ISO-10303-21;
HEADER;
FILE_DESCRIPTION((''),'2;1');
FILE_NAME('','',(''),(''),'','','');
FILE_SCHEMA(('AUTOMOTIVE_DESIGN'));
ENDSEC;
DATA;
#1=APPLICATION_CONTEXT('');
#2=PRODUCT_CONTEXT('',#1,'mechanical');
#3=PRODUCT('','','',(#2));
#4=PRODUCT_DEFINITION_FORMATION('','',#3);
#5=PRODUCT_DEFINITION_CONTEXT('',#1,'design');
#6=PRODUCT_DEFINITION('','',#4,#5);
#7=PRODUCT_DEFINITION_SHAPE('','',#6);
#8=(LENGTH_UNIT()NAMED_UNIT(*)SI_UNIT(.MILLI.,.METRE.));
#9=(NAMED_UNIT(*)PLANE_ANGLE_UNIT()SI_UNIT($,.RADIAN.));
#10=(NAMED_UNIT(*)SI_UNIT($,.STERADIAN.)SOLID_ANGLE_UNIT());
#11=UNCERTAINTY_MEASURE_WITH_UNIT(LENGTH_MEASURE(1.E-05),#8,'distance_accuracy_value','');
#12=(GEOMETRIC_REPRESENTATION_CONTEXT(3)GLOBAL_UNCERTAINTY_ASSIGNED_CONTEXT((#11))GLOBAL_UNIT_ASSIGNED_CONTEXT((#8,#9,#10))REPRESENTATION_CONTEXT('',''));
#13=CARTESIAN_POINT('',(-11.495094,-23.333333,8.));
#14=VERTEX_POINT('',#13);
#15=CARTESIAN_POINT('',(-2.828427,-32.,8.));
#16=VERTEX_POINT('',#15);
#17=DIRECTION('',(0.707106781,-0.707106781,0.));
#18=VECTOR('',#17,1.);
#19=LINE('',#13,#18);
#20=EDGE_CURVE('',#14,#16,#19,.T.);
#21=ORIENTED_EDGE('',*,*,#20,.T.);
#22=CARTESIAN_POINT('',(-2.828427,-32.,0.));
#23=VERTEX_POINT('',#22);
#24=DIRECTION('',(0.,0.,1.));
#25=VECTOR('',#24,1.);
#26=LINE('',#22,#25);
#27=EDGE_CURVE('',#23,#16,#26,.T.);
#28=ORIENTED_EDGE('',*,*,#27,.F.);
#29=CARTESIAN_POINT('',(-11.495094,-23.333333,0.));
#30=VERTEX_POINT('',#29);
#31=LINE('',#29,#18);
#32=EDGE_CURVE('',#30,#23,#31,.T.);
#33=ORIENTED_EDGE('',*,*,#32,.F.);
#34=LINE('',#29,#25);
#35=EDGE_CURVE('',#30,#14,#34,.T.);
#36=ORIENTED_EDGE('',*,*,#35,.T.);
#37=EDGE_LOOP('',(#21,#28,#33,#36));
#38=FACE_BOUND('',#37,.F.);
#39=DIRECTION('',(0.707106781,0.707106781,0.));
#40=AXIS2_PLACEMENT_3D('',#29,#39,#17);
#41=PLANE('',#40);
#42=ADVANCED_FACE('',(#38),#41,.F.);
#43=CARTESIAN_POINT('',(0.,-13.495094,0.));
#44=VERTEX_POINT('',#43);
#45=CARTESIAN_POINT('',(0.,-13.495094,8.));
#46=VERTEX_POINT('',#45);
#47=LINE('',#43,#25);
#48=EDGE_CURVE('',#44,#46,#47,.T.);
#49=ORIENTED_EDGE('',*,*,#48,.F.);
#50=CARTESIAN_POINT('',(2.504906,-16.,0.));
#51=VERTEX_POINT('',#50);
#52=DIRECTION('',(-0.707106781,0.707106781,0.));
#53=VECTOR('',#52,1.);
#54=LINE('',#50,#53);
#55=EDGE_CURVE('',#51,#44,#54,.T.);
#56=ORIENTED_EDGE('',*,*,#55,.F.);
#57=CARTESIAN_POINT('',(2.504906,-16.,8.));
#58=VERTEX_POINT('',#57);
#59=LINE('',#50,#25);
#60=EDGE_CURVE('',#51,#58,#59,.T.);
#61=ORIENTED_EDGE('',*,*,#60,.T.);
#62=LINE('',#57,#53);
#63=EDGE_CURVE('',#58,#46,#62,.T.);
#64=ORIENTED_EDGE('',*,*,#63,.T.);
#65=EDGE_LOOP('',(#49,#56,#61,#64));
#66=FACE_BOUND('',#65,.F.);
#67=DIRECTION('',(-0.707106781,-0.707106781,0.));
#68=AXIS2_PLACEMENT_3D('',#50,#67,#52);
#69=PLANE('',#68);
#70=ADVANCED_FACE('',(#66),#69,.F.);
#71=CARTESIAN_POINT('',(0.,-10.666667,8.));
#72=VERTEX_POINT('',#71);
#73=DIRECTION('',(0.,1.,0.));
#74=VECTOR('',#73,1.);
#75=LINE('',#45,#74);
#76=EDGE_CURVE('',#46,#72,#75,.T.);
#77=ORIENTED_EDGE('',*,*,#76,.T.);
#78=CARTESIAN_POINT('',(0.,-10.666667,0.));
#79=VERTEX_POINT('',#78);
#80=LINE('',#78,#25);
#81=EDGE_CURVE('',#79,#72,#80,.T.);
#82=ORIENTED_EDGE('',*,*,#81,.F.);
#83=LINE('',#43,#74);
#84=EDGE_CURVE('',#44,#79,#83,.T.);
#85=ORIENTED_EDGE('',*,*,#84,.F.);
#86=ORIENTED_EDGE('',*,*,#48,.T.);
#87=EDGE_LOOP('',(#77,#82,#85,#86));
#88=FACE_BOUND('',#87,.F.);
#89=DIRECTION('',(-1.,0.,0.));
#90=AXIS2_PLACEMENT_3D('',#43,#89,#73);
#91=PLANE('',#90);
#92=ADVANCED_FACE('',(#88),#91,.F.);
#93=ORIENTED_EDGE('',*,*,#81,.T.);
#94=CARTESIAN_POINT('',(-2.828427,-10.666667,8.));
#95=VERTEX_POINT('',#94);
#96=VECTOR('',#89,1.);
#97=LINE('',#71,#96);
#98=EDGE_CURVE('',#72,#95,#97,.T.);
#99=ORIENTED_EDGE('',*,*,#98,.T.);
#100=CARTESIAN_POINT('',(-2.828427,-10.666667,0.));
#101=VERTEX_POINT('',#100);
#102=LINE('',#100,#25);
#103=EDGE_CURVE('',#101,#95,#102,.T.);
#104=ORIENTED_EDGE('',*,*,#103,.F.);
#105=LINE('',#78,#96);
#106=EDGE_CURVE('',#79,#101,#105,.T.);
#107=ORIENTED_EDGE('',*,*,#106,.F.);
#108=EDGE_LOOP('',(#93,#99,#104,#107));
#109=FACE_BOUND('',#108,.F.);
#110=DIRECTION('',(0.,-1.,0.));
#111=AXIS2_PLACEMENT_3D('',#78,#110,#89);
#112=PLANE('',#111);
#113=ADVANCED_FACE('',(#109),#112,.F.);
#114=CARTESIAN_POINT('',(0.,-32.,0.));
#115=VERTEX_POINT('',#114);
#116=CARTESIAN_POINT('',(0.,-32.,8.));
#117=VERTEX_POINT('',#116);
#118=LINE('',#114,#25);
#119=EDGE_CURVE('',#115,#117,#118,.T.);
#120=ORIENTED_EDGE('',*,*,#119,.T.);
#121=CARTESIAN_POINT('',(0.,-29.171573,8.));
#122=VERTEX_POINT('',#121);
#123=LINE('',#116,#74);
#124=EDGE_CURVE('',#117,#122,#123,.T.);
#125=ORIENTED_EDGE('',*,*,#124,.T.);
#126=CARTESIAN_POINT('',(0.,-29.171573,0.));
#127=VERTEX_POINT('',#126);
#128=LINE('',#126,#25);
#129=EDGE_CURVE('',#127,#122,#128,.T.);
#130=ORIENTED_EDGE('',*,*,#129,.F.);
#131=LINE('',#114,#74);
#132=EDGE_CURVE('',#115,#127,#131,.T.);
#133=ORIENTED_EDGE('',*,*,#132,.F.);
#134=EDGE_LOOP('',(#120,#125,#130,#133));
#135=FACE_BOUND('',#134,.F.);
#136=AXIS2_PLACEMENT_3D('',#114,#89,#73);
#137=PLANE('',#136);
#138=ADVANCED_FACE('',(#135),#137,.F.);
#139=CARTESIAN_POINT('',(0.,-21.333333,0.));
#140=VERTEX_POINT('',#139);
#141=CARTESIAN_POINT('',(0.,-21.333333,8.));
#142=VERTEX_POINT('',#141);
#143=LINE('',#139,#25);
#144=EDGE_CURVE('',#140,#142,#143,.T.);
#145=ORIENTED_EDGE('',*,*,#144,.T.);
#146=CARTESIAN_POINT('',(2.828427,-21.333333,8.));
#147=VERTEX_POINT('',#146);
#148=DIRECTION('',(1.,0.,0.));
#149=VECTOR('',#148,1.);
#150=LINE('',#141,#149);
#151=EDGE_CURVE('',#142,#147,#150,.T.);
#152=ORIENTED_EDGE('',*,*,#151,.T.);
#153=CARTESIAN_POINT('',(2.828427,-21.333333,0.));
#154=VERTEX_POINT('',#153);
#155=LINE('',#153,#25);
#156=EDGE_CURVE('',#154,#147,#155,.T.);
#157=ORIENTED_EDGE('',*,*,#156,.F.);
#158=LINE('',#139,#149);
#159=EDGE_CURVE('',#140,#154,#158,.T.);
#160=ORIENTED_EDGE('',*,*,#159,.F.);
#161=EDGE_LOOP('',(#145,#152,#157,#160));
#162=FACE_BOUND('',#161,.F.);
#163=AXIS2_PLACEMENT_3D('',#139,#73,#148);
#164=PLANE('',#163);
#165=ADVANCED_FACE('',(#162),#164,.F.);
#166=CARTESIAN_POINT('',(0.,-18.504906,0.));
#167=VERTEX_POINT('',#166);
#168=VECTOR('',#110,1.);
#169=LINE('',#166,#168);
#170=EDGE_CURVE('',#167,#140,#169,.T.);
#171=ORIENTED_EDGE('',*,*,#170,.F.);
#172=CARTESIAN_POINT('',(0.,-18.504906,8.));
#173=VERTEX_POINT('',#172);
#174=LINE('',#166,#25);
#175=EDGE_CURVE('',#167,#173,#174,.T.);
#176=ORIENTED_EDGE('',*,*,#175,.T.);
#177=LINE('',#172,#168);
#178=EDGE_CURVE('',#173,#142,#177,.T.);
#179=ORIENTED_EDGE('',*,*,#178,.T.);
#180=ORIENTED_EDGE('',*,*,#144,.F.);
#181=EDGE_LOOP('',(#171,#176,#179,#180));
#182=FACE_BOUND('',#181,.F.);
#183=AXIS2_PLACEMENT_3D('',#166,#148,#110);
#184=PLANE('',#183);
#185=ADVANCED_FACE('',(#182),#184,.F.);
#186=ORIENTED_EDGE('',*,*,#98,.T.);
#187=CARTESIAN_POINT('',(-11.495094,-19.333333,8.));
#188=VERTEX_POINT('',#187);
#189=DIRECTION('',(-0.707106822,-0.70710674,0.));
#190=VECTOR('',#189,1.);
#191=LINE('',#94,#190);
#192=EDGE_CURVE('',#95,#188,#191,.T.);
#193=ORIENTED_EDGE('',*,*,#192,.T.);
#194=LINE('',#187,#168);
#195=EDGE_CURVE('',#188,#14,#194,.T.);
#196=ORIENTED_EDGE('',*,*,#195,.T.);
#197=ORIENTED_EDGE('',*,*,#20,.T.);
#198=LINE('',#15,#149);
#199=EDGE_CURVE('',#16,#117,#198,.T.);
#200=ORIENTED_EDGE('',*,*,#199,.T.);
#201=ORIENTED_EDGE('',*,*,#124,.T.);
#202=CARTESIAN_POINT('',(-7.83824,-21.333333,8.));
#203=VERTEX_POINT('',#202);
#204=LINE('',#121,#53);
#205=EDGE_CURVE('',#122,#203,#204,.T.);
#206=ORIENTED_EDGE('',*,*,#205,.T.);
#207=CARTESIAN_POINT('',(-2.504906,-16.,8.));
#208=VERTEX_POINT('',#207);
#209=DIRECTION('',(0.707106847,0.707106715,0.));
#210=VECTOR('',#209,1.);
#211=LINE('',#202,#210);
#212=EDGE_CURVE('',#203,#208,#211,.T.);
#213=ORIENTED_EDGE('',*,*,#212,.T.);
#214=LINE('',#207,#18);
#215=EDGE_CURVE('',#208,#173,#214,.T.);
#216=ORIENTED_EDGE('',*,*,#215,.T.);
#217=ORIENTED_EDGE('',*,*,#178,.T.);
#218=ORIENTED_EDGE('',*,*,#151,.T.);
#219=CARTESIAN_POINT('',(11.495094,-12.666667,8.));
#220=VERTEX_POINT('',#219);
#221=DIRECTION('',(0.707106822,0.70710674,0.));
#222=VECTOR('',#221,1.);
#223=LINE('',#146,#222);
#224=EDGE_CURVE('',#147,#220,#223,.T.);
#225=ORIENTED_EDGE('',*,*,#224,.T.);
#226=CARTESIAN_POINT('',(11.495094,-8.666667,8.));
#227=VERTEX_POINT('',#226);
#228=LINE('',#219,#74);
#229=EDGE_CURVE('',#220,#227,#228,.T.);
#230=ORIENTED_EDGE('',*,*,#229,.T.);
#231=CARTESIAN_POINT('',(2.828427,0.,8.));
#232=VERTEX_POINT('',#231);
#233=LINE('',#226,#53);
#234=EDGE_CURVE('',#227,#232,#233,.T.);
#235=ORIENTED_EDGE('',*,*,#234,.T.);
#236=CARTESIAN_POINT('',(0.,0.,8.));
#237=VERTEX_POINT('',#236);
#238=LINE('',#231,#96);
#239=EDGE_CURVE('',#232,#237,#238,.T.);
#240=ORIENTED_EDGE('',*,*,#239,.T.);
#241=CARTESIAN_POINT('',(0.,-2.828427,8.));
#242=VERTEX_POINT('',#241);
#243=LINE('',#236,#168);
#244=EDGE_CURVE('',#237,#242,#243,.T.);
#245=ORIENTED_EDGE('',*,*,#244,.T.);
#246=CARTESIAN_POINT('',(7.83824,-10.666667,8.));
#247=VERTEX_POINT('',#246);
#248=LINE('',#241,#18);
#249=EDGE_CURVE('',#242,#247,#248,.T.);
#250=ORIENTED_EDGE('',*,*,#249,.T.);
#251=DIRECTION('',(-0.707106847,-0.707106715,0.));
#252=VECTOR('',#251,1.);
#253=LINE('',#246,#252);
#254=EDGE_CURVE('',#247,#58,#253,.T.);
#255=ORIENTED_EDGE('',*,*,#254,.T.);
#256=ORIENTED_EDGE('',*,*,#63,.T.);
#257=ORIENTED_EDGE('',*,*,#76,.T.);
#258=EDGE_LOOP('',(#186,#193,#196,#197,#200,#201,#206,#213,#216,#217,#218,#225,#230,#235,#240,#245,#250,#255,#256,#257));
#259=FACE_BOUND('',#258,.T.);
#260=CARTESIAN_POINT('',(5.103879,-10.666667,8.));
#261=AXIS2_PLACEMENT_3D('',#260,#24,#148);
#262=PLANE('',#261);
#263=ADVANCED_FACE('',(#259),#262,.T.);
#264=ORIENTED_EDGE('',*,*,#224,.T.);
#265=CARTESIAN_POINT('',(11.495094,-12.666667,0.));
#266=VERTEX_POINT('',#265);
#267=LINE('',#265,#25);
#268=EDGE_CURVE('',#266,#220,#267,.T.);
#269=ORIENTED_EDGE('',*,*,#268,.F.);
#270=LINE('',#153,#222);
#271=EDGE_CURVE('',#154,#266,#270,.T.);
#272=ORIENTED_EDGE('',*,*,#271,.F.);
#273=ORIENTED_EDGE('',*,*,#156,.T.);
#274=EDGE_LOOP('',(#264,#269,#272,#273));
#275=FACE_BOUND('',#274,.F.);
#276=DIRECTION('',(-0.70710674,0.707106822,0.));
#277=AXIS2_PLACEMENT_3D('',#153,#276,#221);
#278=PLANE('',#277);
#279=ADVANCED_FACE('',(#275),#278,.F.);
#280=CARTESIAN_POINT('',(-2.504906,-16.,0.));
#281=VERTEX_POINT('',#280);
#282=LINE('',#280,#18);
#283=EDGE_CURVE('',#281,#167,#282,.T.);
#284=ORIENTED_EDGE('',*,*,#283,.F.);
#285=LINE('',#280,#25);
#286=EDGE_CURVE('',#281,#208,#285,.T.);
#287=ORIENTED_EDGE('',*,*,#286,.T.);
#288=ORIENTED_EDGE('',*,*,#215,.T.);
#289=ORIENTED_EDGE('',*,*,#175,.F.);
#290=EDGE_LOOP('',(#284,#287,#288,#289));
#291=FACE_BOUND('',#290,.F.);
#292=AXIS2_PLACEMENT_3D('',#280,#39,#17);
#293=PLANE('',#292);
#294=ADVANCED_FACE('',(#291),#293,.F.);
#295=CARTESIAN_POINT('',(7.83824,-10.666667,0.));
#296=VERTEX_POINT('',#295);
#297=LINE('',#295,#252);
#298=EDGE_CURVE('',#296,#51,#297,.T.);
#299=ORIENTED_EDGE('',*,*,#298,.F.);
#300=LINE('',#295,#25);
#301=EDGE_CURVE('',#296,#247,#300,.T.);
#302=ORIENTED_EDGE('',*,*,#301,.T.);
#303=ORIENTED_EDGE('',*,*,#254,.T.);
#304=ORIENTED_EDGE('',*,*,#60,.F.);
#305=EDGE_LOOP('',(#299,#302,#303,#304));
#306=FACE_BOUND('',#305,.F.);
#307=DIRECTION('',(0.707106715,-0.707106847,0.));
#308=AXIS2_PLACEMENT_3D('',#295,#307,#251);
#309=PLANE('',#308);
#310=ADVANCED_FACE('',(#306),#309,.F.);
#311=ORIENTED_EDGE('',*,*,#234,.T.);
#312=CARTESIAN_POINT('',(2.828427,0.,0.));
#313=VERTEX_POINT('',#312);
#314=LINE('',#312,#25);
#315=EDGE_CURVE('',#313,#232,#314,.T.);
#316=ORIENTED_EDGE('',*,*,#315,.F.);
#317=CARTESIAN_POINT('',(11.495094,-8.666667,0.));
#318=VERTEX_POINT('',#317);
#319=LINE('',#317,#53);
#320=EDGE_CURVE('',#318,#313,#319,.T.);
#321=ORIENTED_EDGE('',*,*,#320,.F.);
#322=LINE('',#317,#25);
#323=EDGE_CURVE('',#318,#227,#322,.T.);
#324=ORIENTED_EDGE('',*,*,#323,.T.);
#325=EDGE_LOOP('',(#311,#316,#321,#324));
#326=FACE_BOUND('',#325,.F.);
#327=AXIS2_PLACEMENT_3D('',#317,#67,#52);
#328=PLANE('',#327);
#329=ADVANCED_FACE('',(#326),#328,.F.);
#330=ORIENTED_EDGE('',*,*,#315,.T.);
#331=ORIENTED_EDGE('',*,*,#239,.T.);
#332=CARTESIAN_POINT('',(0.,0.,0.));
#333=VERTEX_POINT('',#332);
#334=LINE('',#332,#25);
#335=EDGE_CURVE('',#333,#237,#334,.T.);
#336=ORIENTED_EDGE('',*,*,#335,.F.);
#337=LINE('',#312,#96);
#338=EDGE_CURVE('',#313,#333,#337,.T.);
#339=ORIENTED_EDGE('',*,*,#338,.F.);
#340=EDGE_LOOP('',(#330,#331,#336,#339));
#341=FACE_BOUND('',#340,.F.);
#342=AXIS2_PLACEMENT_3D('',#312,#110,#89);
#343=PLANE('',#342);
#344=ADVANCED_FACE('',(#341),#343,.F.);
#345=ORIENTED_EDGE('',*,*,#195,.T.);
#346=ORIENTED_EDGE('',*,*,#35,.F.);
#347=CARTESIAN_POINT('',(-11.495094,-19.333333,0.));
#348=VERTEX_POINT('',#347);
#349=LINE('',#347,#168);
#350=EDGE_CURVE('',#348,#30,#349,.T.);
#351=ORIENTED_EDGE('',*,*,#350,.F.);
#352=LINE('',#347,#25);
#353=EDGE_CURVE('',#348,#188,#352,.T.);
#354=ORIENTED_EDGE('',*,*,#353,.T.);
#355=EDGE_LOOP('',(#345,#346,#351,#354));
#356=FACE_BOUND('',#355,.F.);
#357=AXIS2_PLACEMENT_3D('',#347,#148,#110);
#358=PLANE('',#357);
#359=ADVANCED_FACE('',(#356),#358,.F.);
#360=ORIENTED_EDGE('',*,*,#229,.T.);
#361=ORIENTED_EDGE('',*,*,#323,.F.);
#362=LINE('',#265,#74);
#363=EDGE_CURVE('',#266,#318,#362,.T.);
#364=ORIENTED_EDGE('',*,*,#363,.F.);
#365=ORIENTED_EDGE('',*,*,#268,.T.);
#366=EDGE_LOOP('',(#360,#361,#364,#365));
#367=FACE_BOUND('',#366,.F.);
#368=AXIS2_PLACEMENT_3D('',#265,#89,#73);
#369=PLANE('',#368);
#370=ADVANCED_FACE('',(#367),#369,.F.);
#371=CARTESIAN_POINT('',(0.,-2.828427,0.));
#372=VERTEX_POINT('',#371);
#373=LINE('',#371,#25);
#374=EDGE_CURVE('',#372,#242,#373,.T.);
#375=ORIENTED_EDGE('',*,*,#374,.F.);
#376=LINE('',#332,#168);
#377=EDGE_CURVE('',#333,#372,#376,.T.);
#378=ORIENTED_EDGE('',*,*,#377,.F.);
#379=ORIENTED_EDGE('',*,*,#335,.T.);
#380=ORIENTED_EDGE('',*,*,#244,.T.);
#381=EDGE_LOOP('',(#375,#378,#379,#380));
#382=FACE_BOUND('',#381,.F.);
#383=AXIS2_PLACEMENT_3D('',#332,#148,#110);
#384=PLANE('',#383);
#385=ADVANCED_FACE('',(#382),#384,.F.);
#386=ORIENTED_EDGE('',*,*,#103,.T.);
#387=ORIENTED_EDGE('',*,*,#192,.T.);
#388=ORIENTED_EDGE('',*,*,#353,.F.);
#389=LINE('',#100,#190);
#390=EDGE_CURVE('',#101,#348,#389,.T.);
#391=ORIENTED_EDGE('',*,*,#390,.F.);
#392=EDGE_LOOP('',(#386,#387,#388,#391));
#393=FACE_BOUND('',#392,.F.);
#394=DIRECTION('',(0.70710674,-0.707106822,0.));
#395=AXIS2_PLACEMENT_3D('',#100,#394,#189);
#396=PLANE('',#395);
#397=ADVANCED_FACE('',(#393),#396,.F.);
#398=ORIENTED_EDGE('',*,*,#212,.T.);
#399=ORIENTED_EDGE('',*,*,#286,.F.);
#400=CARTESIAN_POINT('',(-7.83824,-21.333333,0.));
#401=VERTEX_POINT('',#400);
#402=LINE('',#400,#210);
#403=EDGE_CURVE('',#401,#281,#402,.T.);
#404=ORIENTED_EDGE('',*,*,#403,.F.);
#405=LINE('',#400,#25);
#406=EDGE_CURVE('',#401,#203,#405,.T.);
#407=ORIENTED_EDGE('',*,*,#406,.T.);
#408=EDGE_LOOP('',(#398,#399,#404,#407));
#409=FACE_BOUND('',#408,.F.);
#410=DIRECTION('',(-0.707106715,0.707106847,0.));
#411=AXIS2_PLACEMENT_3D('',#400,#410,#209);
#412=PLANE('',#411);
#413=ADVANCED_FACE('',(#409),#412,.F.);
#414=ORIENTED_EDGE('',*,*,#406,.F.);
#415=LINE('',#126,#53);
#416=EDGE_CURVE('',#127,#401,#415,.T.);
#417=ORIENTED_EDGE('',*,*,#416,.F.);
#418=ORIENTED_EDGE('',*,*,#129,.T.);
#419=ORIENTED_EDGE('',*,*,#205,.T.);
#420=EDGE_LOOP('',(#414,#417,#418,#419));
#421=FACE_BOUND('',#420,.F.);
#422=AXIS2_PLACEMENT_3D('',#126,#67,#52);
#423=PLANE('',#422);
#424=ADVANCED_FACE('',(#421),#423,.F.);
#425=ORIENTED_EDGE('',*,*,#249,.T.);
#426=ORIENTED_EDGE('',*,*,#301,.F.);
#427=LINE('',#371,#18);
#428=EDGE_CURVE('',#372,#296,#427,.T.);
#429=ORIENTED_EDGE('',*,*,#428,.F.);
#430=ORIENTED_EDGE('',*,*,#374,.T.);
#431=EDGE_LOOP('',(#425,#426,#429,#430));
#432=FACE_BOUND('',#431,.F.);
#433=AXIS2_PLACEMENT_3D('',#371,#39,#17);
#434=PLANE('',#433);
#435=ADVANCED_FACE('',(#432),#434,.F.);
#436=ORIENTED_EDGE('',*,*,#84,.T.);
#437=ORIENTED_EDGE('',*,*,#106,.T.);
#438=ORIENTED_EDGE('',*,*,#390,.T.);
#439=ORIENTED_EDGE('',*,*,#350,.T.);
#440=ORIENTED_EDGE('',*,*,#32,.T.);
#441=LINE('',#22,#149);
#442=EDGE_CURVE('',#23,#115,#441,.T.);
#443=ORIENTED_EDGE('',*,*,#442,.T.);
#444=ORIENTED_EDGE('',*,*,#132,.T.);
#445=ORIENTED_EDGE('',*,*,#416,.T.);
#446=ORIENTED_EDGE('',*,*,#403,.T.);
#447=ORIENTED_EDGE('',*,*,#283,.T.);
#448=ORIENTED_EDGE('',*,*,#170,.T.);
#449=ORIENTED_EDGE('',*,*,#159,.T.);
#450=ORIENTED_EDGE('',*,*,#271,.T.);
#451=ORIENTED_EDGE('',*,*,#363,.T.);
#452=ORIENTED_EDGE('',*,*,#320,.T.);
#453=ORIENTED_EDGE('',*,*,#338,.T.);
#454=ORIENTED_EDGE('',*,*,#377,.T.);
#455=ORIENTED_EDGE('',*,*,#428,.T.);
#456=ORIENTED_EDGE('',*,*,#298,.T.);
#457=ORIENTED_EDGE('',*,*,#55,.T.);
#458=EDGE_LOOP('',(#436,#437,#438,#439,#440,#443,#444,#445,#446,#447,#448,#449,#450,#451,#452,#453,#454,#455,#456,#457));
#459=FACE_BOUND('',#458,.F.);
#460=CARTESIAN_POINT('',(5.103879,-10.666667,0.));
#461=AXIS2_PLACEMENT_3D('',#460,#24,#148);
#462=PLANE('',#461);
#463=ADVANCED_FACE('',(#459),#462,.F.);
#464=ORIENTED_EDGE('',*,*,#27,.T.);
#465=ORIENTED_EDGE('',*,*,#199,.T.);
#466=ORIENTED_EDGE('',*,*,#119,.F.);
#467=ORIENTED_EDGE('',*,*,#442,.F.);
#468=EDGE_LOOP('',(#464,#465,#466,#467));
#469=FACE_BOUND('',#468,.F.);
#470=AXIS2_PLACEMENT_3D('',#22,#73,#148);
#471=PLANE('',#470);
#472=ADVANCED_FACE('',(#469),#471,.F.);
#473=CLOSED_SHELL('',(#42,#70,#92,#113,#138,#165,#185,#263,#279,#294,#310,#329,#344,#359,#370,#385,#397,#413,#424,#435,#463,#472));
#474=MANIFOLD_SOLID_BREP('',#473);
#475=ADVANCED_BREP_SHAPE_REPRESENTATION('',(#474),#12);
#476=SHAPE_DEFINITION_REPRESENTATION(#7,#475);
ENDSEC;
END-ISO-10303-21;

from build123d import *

# Parameters (mm, degrees)
F1_DEPTH = 8


with BuildPart() as f1:
    # F0 (on Top) → F1 (new body)
    with BuildSketch(Plane.XY):
        Polygon((2.828427, 0), (0, 0), (0, -2.828427), (7.83824, -10.666667), (2.504906, -16), (0, -18.504906), (0, -21.333333), (2.828427, -21.333333), (11.495094, -12.666667), (11.495094, -8.666667), align=None)
        Polygon((0, -18.504906), (2.504906, -16), (0, -13.495094), (-2.504906, -16), align=None)
        Polygon((-2.504906, -16), (0, -13.495094), (0, -10.666667), (-2.828427, -10.666667), (-11.495094, -19.333333), (-11.495094, -23.333333), (-2.828427, -32), (0, -32), (0, -29.171573), (-7.83824, -21.333333), align=None)
    extrude(amount=F1_DEPTH)


solid = f1.part
